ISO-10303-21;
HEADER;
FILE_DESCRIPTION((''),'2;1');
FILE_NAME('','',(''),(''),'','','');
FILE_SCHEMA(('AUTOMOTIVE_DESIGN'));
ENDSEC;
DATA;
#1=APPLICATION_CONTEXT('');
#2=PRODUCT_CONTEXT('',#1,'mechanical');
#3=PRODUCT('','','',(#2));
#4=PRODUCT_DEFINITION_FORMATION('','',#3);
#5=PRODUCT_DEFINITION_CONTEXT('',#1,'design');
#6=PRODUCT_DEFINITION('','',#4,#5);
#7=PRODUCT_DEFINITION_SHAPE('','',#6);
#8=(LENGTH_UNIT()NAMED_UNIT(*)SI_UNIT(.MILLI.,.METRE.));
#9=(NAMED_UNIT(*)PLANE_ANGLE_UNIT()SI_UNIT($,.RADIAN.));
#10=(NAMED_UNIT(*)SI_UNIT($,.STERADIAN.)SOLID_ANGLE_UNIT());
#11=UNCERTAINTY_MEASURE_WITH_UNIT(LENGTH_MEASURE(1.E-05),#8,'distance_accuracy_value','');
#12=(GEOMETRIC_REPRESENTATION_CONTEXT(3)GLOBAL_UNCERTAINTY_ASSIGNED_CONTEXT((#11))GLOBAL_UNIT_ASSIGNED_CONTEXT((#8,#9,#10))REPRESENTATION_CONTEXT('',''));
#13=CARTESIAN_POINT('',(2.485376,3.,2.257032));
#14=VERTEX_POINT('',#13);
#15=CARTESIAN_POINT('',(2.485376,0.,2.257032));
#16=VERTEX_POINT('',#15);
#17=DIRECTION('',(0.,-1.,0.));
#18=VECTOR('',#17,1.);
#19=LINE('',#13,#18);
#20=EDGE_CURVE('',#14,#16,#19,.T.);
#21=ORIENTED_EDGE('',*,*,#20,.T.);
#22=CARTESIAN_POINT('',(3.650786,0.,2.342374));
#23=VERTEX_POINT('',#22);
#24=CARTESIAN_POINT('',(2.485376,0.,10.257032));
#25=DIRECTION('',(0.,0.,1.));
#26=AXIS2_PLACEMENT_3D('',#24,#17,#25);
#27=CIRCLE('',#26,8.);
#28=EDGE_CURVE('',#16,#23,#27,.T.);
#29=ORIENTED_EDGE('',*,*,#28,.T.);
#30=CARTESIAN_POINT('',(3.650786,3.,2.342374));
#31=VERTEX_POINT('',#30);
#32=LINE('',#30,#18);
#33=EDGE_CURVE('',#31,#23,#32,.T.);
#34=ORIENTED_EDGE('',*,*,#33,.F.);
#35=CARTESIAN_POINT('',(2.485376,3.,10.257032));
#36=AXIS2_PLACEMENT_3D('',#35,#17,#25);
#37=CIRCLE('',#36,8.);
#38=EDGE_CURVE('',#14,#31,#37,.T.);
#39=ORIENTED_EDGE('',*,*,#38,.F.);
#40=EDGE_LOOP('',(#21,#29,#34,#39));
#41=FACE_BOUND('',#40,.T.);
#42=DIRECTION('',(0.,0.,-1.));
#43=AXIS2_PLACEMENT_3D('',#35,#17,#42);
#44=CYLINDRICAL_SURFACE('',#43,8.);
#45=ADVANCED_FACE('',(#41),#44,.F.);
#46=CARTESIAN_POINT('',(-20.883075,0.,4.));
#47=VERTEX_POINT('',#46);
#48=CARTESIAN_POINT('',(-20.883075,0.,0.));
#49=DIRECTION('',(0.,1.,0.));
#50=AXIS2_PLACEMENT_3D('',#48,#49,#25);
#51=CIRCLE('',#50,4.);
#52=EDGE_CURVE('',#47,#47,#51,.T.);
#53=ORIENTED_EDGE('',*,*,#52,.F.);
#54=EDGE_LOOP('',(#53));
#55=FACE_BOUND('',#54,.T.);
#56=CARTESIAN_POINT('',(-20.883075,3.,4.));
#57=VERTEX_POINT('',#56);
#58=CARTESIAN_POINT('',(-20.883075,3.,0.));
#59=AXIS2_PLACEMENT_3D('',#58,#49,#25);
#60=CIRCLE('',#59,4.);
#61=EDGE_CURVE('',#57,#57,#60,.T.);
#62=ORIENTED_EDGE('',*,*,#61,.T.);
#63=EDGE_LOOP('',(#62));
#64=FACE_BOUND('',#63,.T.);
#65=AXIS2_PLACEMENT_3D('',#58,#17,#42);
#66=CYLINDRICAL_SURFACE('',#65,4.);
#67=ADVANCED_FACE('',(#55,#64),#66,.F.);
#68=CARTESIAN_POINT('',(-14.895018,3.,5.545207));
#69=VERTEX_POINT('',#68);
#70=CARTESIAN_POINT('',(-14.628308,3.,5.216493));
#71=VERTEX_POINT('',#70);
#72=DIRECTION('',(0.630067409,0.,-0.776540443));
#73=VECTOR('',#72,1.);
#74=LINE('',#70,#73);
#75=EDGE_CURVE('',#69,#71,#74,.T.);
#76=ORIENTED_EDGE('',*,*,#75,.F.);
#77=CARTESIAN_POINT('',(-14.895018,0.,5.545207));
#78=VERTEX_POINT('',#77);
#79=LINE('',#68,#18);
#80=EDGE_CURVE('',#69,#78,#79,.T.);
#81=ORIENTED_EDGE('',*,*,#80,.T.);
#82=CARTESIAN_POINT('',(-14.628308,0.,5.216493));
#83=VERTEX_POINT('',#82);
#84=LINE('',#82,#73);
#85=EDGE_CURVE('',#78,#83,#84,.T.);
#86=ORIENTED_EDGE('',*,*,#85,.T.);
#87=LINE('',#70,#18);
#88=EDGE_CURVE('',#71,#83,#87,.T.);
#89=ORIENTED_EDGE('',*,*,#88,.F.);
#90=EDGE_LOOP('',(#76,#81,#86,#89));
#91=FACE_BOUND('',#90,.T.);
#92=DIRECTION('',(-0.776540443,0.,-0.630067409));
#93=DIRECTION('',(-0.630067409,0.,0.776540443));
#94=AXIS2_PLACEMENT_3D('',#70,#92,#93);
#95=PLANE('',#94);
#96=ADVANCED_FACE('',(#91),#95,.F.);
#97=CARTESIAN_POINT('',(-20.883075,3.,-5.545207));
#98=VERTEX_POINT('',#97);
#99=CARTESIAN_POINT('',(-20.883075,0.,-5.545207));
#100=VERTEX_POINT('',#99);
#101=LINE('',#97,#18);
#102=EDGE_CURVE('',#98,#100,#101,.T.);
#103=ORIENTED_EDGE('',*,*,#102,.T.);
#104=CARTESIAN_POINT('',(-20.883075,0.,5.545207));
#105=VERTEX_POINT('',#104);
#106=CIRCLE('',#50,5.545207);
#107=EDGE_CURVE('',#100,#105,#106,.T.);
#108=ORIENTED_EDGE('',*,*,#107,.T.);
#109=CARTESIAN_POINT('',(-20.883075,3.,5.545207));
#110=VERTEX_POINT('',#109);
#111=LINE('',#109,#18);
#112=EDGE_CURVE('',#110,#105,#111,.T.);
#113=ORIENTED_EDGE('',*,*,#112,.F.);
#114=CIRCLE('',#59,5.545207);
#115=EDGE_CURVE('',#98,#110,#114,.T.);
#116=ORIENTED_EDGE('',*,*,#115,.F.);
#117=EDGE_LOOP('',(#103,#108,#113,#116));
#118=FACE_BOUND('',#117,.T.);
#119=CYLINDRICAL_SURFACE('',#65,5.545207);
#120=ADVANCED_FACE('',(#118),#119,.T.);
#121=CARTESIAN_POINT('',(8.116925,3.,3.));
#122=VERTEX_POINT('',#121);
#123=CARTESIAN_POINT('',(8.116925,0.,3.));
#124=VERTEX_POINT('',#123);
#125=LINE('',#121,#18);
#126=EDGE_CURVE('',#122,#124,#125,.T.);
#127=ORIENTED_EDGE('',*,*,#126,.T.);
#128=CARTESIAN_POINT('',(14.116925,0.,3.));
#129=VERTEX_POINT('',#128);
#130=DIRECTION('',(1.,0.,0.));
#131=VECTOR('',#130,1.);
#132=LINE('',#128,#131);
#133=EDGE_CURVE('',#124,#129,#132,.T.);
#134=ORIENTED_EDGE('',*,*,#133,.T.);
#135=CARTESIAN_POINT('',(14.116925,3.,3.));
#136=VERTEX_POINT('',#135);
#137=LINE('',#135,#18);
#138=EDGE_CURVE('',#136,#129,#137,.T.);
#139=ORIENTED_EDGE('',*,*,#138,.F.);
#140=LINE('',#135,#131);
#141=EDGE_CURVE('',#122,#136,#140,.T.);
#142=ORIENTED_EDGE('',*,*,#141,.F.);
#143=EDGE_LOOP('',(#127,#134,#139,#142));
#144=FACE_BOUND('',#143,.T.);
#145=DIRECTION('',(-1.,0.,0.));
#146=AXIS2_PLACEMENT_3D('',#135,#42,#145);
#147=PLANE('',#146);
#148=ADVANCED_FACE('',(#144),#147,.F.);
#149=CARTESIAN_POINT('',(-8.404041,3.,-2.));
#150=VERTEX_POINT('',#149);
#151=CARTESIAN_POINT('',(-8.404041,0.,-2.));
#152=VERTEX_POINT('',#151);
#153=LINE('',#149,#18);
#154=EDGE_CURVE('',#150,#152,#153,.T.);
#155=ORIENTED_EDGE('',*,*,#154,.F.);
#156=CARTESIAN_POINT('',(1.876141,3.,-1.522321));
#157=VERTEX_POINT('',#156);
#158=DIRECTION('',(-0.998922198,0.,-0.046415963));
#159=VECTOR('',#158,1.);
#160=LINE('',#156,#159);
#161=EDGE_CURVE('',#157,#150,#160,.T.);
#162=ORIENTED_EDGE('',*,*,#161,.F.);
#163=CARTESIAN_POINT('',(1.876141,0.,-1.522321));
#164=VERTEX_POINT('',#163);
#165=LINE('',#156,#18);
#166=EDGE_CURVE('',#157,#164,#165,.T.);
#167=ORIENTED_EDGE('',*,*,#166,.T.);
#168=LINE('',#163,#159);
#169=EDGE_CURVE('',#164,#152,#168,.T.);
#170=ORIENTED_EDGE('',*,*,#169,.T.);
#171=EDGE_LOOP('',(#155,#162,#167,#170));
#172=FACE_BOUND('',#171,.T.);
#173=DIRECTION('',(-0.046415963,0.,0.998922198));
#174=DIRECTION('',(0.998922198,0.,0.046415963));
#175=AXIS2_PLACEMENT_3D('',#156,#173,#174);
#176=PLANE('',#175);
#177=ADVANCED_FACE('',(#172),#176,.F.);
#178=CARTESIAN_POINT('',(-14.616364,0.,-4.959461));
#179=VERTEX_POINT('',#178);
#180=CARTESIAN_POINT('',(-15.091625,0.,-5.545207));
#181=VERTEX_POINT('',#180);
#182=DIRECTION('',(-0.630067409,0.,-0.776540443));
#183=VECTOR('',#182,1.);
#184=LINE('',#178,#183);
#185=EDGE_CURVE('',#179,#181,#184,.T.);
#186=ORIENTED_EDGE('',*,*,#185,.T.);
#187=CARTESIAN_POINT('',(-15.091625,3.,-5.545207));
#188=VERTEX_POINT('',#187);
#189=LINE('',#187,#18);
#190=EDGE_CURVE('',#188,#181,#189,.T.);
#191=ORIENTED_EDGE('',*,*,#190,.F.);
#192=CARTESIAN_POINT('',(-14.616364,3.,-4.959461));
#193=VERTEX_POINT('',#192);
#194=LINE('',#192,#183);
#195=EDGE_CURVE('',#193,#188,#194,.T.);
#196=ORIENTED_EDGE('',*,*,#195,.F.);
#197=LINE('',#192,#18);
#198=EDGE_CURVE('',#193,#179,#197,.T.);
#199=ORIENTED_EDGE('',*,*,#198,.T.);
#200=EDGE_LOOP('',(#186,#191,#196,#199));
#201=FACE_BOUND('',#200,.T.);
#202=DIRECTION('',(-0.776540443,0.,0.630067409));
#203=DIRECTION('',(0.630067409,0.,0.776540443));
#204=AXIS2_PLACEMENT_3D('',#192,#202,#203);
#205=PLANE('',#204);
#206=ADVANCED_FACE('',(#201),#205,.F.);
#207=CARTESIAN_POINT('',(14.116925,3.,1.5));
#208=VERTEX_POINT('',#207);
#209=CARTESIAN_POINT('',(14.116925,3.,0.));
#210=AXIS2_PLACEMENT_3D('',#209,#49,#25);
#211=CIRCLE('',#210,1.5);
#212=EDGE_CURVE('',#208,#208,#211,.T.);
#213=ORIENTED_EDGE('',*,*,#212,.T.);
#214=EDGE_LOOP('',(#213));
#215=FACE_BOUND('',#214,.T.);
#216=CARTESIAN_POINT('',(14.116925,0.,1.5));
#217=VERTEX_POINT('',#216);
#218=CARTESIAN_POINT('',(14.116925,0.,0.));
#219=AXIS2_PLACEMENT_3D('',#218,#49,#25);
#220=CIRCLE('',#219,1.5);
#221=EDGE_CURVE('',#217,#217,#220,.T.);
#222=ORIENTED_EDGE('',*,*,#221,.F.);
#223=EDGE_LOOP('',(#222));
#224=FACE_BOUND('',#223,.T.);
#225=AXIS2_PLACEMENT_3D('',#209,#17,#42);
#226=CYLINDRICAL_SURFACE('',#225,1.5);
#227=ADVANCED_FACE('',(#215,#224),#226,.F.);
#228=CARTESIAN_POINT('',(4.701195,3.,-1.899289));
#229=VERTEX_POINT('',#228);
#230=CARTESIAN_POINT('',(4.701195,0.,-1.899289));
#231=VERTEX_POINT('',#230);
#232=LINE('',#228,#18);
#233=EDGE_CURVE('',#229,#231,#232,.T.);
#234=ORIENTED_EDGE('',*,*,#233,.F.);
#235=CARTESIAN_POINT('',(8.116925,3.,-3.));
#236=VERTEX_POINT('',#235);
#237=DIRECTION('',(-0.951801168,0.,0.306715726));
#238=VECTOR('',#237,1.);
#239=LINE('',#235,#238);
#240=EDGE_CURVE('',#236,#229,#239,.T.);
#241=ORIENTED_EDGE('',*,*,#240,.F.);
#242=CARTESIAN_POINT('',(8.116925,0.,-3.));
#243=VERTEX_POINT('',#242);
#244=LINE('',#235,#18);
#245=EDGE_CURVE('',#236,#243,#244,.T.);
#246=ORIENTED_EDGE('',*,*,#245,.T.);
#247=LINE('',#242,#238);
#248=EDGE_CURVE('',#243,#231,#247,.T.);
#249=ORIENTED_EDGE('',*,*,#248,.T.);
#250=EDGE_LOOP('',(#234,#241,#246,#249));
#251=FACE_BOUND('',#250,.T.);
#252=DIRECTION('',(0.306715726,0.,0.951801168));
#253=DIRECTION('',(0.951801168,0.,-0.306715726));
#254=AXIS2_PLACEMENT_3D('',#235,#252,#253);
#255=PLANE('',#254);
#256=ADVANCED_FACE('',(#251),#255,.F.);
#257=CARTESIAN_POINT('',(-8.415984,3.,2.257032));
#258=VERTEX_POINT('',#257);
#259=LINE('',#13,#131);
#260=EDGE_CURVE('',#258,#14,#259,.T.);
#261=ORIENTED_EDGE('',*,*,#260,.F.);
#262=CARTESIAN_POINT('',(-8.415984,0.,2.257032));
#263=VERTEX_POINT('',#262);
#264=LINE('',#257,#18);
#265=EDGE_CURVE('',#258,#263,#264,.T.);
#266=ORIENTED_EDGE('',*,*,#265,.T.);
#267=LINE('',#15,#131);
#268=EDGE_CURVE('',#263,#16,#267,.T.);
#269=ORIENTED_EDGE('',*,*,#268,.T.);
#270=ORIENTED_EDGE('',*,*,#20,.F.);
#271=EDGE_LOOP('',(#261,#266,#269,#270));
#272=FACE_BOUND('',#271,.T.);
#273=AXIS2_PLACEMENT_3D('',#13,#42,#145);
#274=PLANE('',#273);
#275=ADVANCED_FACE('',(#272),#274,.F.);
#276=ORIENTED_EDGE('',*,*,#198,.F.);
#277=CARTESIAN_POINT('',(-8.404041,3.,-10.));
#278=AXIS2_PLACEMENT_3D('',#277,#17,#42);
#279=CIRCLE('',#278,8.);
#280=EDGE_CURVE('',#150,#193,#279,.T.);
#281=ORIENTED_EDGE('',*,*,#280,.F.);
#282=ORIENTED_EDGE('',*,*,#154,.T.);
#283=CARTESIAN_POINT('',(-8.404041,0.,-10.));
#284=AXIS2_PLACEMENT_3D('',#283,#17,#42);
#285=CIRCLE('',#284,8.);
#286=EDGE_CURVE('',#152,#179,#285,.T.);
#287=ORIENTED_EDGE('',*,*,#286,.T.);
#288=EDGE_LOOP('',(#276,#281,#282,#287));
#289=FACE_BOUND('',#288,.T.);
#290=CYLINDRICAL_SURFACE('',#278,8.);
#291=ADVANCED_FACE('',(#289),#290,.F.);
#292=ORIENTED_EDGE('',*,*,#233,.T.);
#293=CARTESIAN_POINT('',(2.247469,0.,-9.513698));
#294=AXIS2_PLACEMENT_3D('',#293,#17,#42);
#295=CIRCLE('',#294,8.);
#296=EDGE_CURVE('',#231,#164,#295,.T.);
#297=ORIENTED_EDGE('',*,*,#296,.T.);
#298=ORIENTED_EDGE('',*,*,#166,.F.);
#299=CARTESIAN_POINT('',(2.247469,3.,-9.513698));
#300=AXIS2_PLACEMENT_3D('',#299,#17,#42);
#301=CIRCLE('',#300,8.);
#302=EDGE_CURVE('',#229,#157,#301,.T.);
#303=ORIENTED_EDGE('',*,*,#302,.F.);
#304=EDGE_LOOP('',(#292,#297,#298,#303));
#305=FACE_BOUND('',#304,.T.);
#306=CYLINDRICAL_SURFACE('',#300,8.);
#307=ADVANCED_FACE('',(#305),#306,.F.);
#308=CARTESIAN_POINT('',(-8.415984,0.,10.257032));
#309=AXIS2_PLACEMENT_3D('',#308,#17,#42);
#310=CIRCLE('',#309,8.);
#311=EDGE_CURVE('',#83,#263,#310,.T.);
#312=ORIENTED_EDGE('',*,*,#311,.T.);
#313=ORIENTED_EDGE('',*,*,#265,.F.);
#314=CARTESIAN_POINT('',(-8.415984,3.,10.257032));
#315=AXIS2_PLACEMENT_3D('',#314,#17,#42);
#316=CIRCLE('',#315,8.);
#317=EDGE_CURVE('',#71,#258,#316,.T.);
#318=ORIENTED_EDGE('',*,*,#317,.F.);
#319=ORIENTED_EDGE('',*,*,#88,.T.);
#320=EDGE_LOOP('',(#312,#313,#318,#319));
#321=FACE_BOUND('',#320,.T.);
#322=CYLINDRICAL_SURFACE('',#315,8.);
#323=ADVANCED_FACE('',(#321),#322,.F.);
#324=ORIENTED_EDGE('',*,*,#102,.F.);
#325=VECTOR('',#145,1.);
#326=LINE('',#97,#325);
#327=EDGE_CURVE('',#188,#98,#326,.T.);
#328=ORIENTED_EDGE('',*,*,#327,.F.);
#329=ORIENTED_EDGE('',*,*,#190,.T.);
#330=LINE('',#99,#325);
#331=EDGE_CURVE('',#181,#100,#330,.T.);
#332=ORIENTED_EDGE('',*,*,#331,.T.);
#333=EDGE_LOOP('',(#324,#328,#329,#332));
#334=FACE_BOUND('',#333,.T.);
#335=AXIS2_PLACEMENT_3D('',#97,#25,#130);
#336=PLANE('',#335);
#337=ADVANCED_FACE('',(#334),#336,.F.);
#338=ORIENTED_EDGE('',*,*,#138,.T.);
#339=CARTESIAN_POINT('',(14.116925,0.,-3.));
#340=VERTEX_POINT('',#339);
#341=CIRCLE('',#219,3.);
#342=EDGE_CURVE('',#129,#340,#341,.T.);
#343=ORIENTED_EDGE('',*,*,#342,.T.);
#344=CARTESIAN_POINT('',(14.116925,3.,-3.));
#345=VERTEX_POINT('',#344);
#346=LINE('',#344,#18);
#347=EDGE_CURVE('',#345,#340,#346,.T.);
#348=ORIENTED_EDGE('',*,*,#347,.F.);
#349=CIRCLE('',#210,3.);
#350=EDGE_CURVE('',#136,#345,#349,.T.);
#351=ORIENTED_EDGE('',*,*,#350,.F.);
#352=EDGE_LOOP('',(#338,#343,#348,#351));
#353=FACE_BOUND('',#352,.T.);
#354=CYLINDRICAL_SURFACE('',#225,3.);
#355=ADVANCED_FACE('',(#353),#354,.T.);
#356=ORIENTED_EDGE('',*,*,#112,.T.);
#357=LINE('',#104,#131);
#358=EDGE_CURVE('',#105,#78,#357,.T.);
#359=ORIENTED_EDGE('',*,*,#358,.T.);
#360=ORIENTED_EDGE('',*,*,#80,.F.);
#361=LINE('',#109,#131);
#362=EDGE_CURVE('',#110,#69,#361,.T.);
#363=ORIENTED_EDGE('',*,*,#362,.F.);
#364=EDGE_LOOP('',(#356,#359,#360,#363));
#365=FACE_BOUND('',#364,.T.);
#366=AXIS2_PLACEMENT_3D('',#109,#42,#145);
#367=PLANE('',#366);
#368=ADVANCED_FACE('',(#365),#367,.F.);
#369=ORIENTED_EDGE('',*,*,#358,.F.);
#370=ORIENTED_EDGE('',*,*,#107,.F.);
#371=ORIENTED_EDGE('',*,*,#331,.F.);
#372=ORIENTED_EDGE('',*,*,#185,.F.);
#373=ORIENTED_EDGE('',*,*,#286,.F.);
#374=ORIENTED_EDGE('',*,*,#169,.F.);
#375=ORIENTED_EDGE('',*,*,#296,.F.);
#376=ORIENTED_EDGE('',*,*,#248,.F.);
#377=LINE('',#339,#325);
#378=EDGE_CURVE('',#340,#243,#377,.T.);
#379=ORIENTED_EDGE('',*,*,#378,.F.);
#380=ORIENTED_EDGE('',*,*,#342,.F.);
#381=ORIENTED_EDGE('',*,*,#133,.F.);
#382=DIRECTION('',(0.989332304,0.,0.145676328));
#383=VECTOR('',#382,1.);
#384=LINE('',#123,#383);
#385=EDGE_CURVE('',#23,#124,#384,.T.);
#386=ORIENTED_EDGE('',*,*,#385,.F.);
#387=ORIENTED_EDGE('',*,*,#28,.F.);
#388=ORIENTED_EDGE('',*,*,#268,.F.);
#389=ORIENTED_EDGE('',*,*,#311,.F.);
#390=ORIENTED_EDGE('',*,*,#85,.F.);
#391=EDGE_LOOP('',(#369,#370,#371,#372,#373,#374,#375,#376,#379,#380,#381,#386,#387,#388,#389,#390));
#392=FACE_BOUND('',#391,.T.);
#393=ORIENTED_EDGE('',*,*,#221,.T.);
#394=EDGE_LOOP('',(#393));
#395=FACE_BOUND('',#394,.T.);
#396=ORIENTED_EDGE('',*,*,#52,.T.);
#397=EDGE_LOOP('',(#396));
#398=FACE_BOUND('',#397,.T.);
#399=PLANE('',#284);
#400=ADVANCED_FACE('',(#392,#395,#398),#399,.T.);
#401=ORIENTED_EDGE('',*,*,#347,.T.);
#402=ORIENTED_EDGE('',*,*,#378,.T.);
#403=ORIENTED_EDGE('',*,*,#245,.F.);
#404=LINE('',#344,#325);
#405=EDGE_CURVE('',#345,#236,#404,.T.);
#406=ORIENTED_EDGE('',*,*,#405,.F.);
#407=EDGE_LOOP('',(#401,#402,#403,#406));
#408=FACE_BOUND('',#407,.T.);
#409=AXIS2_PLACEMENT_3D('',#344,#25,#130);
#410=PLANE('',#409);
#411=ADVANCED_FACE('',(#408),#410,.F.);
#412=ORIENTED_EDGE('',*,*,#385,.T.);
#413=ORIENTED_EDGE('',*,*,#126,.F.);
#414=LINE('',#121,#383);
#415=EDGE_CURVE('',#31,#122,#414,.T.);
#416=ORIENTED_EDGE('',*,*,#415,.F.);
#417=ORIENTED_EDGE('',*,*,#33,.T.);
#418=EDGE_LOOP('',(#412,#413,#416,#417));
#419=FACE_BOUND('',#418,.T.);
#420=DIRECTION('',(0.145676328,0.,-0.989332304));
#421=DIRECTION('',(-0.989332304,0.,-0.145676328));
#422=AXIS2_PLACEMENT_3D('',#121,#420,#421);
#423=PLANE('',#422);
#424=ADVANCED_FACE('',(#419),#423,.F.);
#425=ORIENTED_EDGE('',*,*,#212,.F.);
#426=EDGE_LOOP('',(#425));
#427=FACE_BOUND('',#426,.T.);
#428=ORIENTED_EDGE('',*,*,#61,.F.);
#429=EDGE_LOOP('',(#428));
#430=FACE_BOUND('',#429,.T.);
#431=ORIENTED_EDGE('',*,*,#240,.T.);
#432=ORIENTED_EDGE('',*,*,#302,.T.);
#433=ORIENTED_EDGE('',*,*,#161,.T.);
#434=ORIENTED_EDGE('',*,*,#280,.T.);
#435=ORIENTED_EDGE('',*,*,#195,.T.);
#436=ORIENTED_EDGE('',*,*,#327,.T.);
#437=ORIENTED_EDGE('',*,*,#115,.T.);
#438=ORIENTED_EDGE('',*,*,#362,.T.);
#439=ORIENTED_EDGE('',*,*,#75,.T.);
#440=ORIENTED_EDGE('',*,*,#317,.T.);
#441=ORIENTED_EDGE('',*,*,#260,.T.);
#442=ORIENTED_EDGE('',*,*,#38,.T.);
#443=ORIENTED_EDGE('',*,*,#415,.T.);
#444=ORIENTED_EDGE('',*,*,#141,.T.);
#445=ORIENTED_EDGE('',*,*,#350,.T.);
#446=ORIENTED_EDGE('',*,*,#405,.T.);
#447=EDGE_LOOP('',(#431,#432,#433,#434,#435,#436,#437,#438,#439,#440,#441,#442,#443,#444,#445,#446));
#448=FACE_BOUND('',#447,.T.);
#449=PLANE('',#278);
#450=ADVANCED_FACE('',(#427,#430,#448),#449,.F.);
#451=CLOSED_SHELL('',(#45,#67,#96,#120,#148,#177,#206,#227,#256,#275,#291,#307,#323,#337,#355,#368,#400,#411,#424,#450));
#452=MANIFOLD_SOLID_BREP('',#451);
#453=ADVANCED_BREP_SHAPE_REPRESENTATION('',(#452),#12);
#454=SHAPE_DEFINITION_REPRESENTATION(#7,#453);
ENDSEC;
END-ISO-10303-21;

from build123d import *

# Parameters (mm, degrees)
SKETCH1_R           = 4
SKETCH1_R_2         = 1.5
BOSS_EXTRUDE1_DEPTH = 3


with BuildPart() as part:
    # Sketch1 → Boss-Extrude1 (new body)
    with BuildSketch(Plane(origin=(0, 0, 0), x_dir=(1, 0, 0), z_dir=(0, 1, 0))):
        with BuildLine():
            Line((8.116924874, 3), (4.701194702, 1.899288849))
            ThreePointArc((4.701194702, 1.899288849), (3.305590689, 1.583983301), (1.876141193, 1.522320606))
            Line((1.876141193, 1.522320606), (-8.40404093, 2))
            ThreePointArc((-8.40404093, 2), (-11.844657575, 2.777662629), (-14.616364474, 4.959460725))
            Line((-14.616364474, 4.959460725), (-15.091625453, 5.545206576))
            Line((-15.091625453, 5.545206576), (-20.883075126, 5.545206576))
            ThreePointArc((-20.883075126, 5.545206576), (-26.428281702, 0), (-20.883075126, -5.545206576))
            Line((-20.883075126, -5.545206576), (-14.895018407, -5.545206576))
            Line((-14.895018407, -5.545206576), (-14.628307755, -5.216493164))
            ThreePointArc((-14.628307755, -5.216493164), (-11.856600856, -3.034695068), (-8.415984211, -2.257032439))
            Line((-8.415984211, -2.257032439), (2.485375874, -2.257032439))
            ThreePointArc((2.485375874, -2.257032439), (3.06964146, -2.278396358), (3.650786495, -2.342374008))
            Line((3.650786495, -2.342374008), (8.116924874, -3))
            Line((8.116924874, -3), (14.116924874, -3))
            ThreePointArc((14.116924874, -3), (17.116924874, 0), (14.116924874, 3))
            Line((14.116924874, 3), (8.116924874, 3))
        make_face()
        with Locations(Location((-20.883075126, 0, 0), (0, 0, 270))):
            Circle(SKETCH1_R, mode=Mode.SUBTRACT)
        with Locations(Location((14.116924874, 0, 0), (0, 0, 270))):
            Circle(SKETCH1_R_2, mode=Mode.SUBTRACT)
    extrude(amount=BOSS_EXTRUDE1_DEPTH)


solid = part.part
